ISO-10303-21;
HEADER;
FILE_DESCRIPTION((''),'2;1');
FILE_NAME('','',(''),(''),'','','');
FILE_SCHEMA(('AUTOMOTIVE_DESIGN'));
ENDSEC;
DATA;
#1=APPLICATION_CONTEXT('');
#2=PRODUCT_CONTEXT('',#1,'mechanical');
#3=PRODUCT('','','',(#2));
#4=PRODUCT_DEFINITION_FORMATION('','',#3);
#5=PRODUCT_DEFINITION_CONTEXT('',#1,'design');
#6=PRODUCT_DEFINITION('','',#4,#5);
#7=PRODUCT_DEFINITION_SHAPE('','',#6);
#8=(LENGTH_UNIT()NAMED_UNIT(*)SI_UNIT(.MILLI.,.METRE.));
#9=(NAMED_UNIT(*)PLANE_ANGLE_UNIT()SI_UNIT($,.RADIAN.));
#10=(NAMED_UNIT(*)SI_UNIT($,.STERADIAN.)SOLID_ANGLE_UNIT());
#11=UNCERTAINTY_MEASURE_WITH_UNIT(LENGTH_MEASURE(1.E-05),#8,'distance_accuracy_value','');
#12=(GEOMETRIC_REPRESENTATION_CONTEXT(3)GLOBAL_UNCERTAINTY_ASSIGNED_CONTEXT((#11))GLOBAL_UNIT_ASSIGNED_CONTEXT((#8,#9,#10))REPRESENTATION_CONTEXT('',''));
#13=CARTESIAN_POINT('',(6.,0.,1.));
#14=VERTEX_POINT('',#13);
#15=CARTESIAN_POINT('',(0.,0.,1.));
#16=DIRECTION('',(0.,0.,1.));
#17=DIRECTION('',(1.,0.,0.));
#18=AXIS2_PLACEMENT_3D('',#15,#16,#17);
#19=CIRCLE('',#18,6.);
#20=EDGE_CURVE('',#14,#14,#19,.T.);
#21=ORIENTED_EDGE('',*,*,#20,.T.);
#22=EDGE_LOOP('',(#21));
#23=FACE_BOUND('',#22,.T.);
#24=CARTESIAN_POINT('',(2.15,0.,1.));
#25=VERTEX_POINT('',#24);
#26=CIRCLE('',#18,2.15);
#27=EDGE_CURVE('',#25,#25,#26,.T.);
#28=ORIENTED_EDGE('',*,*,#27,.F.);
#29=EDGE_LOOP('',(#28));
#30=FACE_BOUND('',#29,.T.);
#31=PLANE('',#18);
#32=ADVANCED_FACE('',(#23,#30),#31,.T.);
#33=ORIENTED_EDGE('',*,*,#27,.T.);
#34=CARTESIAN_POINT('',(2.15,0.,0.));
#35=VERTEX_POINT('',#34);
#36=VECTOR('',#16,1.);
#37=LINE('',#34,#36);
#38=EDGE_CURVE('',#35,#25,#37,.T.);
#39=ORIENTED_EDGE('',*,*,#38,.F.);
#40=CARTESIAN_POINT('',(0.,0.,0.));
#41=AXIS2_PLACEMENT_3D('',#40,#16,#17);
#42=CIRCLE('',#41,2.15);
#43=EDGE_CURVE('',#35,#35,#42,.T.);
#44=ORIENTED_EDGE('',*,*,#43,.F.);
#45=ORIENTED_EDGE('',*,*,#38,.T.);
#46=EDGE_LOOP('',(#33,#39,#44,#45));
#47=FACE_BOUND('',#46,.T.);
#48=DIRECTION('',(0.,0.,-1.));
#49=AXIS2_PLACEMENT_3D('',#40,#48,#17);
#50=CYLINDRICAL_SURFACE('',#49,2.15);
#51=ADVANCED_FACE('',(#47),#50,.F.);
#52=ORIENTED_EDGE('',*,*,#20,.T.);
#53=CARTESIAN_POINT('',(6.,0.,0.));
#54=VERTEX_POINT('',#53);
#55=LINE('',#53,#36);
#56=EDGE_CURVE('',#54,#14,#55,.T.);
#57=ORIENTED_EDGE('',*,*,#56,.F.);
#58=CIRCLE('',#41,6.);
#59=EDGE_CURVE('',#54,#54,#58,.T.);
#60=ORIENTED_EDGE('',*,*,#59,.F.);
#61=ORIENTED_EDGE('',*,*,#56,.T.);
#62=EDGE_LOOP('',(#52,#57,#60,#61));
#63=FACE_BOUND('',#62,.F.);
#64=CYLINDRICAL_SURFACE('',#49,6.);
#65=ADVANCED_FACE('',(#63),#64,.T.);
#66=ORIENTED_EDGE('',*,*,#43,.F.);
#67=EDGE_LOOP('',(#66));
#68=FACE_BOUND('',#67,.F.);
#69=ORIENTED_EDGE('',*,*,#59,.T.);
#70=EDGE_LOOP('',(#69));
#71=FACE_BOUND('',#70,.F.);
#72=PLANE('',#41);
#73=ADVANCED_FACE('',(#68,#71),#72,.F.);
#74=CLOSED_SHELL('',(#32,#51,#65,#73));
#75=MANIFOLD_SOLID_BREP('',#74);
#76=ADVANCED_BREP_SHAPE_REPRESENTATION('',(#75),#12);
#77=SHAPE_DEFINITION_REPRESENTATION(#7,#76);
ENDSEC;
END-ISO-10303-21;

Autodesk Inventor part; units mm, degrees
ref_plane "Plan YZ" through (0, 0, 0) normal (1, 0, 0) x (0, 1, 0)
ref_plane "Plan XZ" through (0, 0, 0) normal (0, 1, 0) x (-1, 0, 0)
ref_plane "Plan XY" through (0, 0, 0) normal (0, 0, 1) x (1, 0, 0)
sketch "Esquisse1" plane through (0, 0, 0) normal (0, 0, 1) x (1, 0, 0)
  circle A0 centre (0, 0) radius 2.15
  circle A1 centre (0, 0) radius 6
  dimension "d0" = 12
  dimension "d1" = 4.3
extrude "Extrusion1" add sketch "Esquisse1" along normal blind 1
properties part number "BN1075_M4" material "PA6 (Polyamide 6)"
